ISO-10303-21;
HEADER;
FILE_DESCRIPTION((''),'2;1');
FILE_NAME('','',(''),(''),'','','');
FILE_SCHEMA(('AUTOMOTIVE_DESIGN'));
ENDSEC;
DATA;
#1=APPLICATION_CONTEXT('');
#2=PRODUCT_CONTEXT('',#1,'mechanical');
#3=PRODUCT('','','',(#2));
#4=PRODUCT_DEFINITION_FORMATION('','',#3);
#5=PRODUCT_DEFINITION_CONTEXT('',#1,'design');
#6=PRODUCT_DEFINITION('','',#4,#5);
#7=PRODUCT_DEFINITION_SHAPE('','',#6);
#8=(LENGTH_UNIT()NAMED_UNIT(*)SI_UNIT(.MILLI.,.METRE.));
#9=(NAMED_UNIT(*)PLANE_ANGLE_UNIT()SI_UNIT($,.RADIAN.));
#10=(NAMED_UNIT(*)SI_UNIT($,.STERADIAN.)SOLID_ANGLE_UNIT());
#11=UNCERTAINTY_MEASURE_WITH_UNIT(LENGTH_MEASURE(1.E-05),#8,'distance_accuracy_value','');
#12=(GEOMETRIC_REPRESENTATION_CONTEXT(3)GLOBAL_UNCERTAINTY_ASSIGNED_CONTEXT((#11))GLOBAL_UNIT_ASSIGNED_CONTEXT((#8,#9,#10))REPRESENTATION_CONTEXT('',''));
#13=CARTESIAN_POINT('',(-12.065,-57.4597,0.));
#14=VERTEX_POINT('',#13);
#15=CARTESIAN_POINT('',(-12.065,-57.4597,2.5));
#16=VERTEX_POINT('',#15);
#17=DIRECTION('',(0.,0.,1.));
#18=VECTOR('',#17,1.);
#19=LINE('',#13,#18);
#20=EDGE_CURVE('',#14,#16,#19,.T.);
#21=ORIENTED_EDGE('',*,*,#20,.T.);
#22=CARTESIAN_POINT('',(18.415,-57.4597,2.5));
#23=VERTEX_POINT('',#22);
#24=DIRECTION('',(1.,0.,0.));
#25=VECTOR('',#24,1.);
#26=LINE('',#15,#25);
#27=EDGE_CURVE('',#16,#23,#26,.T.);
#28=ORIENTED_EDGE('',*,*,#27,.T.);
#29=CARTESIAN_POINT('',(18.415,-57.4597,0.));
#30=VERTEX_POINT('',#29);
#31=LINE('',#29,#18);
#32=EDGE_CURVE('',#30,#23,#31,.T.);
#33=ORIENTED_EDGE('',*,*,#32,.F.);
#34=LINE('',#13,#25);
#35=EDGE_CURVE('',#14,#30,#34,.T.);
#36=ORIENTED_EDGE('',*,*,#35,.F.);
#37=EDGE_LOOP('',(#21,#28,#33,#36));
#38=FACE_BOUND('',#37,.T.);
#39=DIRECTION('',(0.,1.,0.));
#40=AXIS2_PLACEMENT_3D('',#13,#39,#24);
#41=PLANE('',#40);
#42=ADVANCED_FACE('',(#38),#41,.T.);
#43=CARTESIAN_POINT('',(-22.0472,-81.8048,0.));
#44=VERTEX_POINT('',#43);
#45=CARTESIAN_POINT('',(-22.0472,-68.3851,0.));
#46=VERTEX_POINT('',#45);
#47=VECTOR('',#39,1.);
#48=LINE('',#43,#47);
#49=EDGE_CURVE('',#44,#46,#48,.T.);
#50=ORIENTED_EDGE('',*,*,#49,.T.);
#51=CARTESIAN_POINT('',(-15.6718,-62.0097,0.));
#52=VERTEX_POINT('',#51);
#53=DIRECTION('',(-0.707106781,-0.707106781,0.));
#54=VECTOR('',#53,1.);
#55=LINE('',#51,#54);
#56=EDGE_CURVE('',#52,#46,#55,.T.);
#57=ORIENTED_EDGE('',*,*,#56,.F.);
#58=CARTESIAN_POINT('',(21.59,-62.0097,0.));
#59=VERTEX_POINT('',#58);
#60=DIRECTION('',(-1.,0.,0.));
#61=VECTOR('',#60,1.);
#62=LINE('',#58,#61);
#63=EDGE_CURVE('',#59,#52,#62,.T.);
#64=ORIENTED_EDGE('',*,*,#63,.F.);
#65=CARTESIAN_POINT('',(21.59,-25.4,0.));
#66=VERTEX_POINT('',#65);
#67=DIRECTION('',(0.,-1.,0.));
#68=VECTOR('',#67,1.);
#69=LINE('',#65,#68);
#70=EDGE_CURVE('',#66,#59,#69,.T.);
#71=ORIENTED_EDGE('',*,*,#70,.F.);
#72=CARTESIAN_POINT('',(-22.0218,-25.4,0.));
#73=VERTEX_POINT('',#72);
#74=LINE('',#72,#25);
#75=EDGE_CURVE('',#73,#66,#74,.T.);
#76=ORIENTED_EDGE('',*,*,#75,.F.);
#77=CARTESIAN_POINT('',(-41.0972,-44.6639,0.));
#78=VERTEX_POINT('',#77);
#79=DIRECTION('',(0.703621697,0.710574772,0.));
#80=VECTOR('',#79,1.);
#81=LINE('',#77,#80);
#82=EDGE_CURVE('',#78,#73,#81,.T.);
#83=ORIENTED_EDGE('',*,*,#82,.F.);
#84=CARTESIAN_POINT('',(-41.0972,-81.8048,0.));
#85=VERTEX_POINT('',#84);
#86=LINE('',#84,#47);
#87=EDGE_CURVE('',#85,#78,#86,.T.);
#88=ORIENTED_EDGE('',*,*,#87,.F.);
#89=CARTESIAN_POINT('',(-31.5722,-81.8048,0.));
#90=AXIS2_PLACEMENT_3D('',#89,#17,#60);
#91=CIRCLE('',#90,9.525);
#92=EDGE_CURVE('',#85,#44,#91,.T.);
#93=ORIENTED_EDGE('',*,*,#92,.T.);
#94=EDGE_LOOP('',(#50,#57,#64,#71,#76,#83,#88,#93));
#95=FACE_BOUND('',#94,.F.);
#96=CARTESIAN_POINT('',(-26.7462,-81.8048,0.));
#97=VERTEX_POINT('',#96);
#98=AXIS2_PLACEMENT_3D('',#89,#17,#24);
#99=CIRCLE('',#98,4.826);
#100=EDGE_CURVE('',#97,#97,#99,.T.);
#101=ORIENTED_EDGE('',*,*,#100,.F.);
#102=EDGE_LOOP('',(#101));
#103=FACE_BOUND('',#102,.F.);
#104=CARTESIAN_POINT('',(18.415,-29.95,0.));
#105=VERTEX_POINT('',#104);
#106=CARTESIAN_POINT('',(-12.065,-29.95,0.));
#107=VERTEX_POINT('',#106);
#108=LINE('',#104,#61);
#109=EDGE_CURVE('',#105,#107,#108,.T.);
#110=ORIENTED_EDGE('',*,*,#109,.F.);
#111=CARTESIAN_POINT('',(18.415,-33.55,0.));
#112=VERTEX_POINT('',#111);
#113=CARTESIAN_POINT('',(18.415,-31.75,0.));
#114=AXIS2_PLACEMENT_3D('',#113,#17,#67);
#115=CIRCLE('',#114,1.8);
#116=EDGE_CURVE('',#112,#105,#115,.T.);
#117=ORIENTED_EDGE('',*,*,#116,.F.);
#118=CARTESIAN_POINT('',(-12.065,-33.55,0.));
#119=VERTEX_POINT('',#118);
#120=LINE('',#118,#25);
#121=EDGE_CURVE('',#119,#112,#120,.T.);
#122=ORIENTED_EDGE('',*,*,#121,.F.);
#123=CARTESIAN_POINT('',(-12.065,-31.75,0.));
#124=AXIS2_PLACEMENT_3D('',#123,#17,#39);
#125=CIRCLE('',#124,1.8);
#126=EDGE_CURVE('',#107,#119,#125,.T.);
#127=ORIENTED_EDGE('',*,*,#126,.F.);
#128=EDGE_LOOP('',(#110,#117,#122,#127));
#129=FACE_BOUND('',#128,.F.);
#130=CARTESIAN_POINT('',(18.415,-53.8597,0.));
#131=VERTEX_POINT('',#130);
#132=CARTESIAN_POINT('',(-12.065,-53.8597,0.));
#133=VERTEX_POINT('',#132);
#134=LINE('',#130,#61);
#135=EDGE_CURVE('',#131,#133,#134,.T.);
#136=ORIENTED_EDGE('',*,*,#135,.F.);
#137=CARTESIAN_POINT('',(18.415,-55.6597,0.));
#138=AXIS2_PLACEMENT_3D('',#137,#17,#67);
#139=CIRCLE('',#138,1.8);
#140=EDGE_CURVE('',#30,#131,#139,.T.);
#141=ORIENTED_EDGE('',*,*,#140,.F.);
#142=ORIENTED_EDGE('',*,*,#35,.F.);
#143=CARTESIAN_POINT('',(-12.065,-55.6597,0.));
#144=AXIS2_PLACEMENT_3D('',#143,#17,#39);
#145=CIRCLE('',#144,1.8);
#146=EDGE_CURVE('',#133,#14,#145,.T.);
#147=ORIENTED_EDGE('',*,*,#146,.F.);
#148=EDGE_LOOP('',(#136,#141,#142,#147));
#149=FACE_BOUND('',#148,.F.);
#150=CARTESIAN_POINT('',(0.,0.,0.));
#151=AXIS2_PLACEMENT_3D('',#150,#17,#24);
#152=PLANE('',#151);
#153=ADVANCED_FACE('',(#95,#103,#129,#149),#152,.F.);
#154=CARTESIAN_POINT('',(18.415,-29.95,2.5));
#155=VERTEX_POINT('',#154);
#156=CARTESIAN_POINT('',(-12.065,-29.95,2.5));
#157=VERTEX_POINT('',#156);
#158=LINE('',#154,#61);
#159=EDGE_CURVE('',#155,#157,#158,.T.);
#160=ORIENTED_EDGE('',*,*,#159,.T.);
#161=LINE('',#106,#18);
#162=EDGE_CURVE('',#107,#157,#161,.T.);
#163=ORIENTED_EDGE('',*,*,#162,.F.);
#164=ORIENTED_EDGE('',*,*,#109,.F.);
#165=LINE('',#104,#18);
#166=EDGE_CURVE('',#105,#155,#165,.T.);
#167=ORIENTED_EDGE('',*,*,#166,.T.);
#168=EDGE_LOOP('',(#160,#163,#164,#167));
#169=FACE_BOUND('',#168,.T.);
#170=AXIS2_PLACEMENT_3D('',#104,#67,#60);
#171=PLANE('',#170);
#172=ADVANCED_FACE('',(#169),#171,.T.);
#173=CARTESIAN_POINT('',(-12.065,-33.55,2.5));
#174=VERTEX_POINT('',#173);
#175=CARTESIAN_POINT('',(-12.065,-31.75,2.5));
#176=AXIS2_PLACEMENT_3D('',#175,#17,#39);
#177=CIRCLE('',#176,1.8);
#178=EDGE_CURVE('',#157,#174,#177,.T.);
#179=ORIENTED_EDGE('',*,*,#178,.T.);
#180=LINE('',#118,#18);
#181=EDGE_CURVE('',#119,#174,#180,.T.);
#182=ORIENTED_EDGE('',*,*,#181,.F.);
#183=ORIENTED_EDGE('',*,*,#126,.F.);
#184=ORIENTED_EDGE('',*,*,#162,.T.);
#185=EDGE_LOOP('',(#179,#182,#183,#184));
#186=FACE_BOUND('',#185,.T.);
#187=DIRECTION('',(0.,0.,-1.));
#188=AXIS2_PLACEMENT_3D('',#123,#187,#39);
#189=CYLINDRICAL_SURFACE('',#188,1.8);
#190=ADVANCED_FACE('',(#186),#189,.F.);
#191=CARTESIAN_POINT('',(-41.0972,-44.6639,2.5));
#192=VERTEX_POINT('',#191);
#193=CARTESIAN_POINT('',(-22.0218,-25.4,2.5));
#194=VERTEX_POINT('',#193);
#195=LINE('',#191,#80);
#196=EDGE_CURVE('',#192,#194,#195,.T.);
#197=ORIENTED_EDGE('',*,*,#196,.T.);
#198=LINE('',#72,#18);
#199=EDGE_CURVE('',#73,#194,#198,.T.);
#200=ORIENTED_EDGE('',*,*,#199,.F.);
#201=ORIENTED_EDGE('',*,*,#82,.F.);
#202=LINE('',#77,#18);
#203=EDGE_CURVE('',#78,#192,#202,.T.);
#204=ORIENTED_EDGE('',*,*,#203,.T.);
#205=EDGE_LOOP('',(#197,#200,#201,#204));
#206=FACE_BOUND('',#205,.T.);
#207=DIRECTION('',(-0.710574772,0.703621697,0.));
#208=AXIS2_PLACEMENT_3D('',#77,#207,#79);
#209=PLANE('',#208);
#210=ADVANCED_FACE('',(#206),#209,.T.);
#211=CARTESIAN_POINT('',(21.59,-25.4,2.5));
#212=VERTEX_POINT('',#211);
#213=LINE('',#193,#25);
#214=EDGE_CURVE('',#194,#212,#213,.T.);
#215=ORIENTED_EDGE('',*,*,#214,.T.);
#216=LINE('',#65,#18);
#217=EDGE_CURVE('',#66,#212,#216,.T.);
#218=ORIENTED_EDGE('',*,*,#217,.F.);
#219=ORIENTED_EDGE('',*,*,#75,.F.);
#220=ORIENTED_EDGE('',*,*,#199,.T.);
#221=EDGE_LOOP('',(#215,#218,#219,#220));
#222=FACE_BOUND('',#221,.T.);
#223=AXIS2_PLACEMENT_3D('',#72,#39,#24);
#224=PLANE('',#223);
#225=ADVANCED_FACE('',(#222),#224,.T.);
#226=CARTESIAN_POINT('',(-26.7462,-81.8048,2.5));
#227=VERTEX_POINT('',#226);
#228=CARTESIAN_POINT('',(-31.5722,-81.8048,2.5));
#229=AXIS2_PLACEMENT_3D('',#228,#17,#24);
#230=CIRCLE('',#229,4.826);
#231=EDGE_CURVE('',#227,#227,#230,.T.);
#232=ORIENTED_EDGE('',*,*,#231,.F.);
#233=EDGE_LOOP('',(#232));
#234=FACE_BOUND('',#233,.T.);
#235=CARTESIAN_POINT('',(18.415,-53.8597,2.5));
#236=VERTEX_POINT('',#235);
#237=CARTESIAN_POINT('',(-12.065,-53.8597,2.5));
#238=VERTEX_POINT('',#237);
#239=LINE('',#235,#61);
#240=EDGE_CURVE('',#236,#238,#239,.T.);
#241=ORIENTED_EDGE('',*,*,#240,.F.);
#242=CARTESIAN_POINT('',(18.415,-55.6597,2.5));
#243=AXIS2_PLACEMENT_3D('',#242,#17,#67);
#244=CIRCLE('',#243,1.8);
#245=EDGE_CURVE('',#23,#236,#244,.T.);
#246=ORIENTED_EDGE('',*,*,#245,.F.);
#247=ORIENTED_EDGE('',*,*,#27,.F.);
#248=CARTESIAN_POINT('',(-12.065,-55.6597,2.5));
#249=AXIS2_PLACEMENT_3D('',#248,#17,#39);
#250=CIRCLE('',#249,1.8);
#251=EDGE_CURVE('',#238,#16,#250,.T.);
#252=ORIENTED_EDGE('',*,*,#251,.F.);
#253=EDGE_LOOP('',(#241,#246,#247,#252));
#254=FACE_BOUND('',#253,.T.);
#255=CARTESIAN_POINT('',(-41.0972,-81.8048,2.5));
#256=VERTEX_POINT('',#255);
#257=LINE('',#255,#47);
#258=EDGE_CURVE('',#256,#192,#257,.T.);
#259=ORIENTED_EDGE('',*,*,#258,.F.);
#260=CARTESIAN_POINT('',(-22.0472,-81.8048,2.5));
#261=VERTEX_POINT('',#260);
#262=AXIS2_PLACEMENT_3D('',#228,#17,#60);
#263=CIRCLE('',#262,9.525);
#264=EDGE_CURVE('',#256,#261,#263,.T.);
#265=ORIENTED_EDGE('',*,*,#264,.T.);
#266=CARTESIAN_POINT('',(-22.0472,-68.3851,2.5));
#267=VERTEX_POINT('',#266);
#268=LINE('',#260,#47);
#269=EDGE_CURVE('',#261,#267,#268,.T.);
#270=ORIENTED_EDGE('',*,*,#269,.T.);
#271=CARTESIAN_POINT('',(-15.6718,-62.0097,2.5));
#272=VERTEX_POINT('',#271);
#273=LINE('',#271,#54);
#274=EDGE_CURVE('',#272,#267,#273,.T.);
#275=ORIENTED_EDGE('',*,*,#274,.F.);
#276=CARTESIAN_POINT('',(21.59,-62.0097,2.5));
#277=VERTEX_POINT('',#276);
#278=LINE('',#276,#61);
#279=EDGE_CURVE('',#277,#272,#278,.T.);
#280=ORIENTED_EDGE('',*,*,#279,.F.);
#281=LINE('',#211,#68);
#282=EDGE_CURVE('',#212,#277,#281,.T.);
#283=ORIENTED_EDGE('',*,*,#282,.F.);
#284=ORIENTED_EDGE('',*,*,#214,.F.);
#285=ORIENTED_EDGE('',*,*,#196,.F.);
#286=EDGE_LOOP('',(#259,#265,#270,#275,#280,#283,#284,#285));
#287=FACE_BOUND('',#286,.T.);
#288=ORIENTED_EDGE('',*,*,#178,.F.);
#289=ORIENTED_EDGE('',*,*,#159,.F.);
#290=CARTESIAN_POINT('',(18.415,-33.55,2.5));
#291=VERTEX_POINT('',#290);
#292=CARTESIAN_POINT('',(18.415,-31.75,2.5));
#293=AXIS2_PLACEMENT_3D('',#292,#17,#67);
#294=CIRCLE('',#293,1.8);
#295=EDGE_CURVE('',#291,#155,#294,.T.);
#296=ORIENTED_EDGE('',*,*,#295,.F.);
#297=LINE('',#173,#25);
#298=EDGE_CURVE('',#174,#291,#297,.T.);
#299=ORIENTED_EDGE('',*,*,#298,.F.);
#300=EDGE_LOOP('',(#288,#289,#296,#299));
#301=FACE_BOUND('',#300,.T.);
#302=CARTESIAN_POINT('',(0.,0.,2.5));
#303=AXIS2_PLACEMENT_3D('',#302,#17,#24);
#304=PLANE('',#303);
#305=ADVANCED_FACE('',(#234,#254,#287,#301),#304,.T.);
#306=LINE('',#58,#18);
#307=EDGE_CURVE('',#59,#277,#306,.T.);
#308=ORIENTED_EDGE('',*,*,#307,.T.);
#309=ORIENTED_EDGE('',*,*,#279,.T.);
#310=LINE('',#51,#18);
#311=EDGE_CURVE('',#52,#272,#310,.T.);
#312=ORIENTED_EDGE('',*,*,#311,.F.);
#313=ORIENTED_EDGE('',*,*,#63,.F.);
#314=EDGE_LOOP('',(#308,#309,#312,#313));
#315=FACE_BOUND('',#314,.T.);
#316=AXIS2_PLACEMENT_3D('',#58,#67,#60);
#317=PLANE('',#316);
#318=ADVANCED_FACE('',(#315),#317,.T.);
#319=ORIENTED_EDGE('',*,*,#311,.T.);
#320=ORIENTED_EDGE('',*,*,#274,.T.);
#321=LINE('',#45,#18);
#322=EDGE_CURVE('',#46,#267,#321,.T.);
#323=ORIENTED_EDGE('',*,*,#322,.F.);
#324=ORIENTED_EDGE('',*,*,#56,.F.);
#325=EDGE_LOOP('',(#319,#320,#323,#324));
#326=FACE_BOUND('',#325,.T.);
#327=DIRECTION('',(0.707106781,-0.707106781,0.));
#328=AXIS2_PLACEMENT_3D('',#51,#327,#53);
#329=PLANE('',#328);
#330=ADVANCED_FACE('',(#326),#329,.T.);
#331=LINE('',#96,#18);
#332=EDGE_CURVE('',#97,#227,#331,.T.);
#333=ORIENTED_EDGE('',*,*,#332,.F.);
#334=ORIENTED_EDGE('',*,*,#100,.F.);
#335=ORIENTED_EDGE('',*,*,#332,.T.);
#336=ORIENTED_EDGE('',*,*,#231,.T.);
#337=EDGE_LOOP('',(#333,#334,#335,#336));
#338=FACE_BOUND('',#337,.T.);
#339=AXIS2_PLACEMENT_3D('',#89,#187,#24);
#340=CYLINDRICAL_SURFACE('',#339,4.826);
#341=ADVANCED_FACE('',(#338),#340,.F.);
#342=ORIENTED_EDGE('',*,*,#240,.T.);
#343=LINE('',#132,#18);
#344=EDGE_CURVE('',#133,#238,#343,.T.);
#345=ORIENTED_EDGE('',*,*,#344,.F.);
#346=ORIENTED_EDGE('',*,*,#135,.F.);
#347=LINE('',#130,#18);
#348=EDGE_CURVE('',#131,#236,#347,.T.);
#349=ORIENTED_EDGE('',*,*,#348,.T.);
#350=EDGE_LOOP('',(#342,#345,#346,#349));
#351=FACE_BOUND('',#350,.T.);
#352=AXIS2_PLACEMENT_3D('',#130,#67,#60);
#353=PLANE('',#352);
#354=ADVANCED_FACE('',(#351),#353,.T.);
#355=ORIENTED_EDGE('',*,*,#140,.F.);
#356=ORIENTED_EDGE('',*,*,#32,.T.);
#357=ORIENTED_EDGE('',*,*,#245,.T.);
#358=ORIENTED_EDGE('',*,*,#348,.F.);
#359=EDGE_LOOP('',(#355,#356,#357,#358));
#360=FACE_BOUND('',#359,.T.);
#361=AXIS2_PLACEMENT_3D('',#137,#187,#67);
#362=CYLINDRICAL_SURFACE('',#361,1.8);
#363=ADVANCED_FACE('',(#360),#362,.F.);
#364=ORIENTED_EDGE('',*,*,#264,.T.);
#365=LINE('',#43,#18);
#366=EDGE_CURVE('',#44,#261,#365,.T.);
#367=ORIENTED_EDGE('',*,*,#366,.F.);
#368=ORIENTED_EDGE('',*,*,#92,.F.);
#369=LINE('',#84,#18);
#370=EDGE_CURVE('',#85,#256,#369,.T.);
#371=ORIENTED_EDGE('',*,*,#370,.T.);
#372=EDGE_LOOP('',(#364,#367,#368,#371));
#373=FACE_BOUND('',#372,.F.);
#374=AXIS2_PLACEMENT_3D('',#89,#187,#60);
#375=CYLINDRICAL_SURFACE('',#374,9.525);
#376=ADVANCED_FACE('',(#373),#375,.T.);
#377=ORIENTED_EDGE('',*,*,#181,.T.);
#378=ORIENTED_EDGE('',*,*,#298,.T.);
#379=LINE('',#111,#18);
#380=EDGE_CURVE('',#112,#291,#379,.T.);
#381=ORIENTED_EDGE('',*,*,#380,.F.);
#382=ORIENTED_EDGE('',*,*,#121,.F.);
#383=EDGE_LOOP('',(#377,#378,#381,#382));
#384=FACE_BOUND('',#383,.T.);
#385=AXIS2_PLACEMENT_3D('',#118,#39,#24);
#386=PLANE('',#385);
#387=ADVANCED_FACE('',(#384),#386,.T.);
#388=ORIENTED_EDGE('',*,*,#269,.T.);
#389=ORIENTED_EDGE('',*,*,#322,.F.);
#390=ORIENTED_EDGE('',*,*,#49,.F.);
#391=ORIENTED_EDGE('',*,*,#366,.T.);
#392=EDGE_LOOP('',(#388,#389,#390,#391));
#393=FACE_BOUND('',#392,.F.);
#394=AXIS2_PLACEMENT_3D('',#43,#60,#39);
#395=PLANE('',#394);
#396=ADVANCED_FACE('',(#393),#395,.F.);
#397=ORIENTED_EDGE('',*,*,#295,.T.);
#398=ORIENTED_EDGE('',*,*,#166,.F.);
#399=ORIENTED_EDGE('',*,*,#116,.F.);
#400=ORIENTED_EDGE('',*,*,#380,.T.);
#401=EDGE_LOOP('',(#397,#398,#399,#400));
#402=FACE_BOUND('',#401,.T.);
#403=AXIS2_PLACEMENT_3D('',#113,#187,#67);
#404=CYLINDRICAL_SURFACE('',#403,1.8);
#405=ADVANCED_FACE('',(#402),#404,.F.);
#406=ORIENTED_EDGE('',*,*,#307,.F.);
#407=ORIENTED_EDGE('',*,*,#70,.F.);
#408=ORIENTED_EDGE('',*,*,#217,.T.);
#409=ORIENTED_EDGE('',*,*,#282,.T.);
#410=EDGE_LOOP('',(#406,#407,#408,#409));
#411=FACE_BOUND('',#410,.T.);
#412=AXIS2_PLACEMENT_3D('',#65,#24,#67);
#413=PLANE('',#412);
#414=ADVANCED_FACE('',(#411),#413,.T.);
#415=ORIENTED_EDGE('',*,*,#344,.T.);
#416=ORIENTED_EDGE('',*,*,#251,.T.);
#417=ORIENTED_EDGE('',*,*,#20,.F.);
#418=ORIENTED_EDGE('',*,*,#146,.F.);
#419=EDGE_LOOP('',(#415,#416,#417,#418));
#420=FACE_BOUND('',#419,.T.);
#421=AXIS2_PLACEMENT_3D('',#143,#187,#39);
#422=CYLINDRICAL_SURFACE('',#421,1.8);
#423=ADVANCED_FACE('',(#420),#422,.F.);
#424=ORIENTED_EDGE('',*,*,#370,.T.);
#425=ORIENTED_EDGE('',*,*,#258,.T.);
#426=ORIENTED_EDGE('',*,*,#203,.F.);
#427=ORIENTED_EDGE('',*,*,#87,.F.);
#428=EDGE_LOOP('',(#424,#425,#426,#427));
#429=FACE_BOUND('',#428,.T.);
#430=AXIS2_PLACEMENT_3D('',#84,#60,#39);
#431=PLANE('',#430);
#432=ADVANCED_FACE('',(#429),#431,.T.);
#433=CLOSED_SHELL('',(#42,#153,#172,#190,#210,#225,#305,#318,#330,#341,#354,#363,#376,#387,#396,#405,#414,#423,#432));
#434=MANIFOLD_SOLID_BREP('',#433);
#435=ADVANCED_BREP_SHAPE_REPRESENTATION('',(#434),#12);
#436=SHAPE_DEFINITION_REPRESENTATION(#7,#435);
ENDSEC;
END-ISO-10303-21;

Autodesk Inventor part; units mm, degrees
ref_plane "YZ Plane" through (0, 0, 0) normal (1, 0, 0) x (0, 1, 0)
ref_plane "XZ Plane" through (0, 0, 0) normal (0, 1, 0) x (-1, 0, 0)
ref_plane "XY Plane" through (0, 0, 0) normal (0, 0, 1) x (1, 0, 0)
ref_plane "Work Plane1" through (0, 0, 0) normal (0, 0, 1) x (1, 0, 0)
sketch "Sketch1" plane through (0, 0, 0) normal (0, 0, 1) x (1, 0, 0)
  line L0 (11.43, 0) -> (11.43, -63.5) construction
  line L1 (0, 0) -> (11.43, 0) construction
  line L2 (0, 0) -> (0, -63.5) construction
  line L3 (7.44, -34.7378) -> (0, -34.7378) construction
  circle A0 centre (5.715, -31.75) radius 1.7 construction
  line L4 (0, -63.5) -> (11.43, -63.5) construction
  circle A1 centre (5.715, -55.6597) radius 1.7 construction
  line L5 (21.59, -62.0097) -> (-15.6718, -62.0097)
  line L6 (-22.0218, -25.4) -> (21.59, -25.4)
  line L7 (21.59, -25.4) -> (21.59, -62.0097)
  line L8 (18.415, -31.75) -> (-12.065, -31.75) construction
  line L9 (18.415, -29.95) -> (-12.065, -29.95)
  line L10 (-12.065, -33.55) -> (18.415, -33.55)
  arc A2 (18.415, -33.55) -> (18.415, -29.95) centre (18.415, -31.75) ccw
  arc A3 (-12.065, -29.95) -> (-12.065, -33.55) centre (-12.065, -31.75) ccw
  line L11 (18.415, -55.6597) -> (-12.065, -55.6597) construction
  line L12 (18.415, -53.8597) -> (-12.065, -53.8597)
  line L13 (-12.065, -57.4597) -> (18.415, -57.4597)
  arc A4 (18.415, -57.4597) -> (18.415, -53.8597) centre (18.415, -55.6597) ccw
  arc A5 (-12.065, -53.8597) -> (-12.065, -57.4597) centre (-12.065, -55.6597) ccw
  circle A6 centre (-31.5722, -81.8048) radius 4.826
  arc A7 (-41.0972, -81.8048) -> (-22.0472, -81.8048) centre (-31.5722, -81.8048) ccw
  line L14 (-22.0218, -25.4) -> (-22.0218, -62.0097) construction
  line L15 (-41.0972, -81.8048) -> (-4.0676, -81.8048) construction
  line L16 (-41.0972, -44.6639) -> (-22.0218, -25.4)
  line L17 (-22.0472, -81.8048) -> (-22.0472, -68.3851)
  line L18 (-15.6718, -62.0097) -> (-22.0472, -68.3851)
  line L19 (-15.6718, -62.0097) -> (-6.6556, -62.0097) construction
  line L20 (21.59, -43.7048) -> (-43.6873, -43.7048) construction
  line L21 (21.59, -43.7048) -> (86.8673, -43.7048) construction
  line L22 (-41.0972, -81.8048) -> (-29.4827, -81.8048) construction
  line L23 (-41.0972, -81.8048) -> (-41.0972, -44.6639)
  line L24 (-41.0972, -81.8048) -> (-3.9563, -81.8048) construction
  point P0 (3.175, -31.75)
  point P1 (3.175, -55.6597)
extrude "Extrusion1" add sketch "Sketch1" along normal blind 2.5
properties part number "driven wheel arm angled"
